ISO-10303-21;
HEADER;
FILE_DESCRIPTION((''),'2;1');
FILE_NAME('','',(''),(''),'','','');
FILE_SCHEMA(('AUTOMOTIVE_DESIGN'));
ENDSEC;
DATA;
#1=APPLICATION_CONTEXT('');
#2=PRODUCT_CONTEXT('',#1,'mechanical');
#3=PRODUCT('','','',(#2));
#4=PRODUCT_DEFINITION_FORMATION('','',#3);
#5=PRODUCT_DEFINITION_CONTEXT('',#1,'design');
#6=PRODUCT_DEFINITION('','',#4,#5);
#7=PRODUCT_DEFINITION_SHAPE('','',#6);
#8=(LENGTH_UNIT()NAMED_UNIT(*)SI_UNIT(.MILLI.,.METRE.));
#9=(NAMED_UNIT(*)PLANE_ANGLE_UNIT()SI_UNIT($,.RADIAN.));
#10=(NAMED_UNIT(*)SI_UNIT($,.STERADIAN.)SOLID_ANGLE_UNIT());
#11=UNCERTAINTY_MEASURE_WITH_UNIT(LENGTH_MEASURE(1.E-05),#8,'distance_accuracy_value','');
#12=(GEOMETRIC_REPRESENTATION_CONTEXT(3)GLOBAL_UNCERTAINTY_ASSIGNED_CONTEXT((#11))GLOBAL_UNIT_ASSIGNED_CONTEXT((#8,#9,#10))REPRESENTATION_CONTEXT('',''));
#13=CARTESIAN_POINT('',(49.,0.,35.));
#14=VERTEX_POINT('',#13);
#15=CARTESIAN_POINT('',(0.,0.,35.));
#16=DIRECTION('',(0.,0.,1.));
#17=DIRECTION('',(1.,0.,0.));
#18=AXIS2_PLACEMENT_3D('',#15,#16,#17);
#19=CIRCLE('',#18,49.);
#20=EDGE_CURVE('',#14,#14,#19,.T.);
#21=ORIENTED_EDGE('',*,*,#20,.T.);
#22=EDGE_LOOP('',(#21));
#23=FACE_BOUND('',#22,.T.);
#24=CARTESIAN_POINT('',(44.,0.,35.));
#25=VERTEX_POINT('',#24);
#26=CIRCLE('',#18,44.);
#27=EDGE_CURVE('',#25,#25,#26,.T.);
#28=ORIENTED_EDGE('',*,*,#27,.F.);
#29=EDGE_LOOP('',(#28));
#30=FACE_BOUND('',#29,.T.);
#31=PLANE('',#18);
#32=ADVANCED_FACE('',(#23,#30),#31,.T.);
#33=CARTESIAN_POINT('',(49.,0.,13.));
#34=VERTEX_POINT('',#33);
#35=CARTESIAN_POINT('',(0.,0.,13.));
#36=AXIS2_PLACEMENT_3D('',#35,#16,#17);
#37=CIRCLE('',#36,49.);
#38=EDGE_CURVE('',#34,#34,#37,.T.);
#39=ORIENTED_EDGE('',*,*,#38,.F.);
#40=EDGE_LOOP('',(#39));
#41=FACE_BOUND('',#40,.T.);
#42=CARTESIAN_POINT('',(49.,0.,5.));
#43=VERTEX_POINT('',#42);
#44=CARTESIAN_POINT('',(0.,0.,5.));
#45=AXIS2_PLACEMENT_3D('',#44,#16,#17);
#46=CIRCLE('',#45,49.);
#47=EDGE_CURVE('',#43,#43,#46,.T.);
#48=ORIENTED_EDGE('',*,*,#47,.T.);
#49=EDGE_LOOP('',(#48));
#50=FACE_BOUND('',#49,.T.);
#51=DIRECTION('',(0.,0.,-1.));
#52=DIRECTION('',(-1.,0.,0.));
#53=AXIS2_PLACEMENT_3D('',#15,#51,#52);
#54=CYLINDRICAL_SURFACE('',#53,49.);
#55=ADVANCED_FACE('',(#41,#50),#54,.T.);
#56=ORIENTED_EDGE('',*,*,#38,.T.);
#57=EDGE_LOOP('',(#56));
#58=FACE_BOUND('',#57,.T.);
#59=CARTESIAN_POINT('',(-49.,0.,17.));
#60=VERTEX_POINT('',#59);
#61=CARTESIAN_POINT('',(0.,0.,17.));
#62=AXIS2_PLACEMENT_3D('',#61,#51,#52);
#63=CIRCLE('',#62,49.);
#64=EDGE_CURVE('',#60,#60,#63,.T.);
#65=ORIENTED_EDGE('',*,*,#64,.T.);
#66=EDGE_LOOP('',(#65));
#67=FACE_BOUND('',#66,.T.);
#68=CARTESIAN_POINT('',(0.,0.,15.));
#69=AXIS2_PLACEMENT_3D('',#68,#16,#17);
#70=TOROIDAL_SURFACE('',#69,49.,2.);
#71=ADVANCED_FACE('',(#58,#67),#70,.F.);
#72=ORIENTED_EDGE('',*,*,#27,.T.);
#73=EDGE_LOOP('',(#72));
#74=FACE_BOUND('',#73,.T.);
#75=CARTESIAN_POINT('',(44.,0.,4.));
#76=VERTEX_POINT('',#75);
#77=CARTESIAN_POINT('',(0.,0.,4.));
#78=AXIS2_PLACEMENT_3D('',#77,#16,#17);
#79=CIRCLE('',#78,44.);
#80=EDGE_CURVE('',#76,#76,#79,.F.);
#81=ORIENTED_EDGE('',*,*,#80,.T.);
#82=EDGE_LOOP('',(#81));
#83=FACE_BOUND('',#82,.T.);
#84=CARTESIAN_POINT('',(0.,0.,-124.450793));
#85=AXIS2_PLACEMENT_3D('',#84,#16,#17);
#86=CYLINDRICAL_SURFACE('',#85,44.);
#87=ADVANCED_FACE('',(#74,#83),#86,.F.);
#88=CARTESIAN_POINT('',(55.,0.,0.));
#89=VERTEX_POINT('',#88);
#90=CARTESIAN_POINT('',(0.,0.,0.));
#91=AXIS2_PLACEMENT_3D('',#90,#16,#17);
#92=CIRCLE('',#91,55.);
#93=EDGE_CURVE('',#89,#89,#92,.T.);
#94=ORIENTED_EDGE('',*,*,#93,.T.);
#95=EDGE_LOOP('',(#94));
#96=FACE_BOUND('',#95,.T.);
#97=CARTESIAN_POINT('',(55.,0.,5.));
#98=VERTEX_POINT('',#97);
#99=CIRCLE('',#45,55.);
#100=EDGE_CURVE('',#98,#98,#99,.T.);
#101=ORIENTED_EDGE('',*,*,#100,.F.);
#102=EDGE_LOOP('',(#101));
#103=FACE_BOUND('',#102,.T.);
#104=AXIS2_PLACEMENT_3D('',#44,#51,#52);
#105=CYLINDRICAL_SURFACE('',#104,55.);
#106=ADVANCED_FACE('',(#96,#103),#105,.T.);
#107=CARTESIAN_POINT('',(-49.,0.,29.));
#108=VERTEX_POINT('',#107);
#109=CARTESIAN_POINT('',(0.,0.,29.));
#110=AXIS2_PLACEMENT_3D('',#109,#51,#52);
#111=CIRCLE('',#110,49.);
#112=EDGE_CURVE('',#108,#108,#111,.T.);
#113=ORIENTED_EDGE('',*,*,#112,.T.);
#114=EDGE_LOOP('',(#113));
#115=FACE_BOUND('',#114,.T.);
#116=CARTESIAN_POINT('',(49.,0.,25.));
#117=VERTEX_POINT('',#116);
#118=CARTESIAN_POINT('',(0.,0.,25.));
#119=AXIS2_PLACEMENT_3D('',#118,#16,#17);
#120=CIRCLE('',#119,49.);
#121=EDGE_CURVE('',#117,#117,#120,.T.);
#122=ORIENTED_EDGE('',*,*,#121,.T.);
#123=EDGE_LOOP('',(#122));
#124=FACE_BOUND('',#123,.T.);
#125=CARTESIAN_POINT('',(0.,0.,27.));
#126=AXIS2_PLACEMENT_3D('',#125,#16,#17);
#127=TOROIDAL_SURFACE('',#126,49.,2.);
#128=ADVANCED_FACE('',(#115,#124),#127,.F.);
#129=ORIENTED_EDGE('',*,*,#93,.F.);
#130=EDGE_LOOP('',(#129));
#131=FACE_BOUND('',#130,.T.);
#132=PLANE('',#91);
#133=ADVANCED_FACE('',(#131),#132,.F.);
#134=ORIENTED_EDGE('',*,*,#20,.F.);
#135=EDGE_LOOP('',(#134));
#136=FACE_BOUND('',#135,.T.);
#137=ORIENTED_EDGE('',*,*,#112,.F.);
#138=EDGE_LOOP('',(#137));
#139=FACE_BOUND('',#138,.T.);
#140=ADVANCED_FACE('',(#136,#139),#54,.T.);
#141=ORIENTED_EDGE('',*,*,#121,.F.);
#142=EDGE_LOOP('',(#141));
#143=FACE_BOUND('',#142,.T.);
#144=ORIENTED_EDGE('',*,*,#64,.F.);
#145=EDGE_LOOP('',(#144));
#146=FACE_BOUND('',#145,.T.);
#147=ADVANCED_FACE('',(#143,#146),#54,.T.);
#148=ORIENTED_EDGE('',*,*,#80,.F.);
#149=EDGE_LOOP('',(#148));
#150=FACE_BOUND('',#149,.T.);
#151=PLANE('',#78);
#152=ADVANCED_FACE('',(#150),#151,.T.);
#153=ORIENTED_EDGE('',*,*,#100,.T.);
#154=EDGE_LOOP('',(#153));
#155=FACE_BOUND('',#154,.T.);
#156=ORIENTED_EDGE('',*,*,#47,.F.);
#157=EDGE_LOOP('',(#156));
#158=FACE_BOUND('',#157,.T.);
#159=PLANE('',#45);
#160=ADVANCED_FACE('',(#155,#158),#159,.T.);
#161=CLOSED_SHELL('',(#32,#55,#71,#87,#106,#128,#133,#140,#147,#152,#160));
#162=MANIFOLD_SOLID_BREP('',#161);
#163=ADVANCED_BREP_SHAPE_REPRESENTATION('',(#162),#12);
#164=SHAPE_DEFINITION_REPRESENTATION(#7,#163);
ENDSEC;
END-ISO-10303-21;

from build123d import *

# Parameters (mm, degrees)
CROQUIS1_R              = 55
SALIENTE_EXTRUIR1_DEPTH = 5
CROQUIS2_R              = 49
SALIENTE_EXTRUIR2_DEPTH = 30
CROQUIS3_R              = 2
CROQUIS4_R              = 44
CORTAR_EXTRUIR1_DEPTH   = 31


with BuildPart() as part:
    # Croquis1 → Saliente-Extruir1 (new body)
    with BuildSketch(Plane.XY):
        Circle(CROQUIS1_R)
    extrude(amount=SALIENTE_EXTRUIR1_DEPTH)

    # Croquis2 → Saliente-Extruir2 (add)
    with BuildSketch(Plane.XY.offset(5)):
        Circle(CROQUIS2_R)
    extrude(amount=SALIENTE_EXTRUIR2_DEPTH)

    # Croquis3 → Cortar-Revolución1 (revolve, cut)
    with BuildSketch(Plane(origin=(0, 0, 0), x_dir=(1, 0, 0), z_dir=(0, 1, 0)), mode=Mode.PRIVATE) as cortar_revoluci_n1_sk:
        with Locations((-49, -15)):
            Circle(CROQUIS3_R)
        with Locations((-49, -27)):
            Circle(CROQUIS3_R)
    revolve(cortar_revoluci_n1_sk.sketch.rotate(Axis((0, 0, 36.878025431), (0, 0, -1)), 180), axis=Axis((0, 0, 36.878025431), (0, 0, -1)), mode=Mode.SUBTRACT)

    # Croquis4 → Cortar-Extruir1 (cut)
    with BuildSketch(Plane.XY.offset(35)):
        Circle(CROQUIS4_R)
    extrude(amount=-CORTAR_EXTRUIR1_DEPTH, mode=Mode.SUBTRACT)


solid = part.part
